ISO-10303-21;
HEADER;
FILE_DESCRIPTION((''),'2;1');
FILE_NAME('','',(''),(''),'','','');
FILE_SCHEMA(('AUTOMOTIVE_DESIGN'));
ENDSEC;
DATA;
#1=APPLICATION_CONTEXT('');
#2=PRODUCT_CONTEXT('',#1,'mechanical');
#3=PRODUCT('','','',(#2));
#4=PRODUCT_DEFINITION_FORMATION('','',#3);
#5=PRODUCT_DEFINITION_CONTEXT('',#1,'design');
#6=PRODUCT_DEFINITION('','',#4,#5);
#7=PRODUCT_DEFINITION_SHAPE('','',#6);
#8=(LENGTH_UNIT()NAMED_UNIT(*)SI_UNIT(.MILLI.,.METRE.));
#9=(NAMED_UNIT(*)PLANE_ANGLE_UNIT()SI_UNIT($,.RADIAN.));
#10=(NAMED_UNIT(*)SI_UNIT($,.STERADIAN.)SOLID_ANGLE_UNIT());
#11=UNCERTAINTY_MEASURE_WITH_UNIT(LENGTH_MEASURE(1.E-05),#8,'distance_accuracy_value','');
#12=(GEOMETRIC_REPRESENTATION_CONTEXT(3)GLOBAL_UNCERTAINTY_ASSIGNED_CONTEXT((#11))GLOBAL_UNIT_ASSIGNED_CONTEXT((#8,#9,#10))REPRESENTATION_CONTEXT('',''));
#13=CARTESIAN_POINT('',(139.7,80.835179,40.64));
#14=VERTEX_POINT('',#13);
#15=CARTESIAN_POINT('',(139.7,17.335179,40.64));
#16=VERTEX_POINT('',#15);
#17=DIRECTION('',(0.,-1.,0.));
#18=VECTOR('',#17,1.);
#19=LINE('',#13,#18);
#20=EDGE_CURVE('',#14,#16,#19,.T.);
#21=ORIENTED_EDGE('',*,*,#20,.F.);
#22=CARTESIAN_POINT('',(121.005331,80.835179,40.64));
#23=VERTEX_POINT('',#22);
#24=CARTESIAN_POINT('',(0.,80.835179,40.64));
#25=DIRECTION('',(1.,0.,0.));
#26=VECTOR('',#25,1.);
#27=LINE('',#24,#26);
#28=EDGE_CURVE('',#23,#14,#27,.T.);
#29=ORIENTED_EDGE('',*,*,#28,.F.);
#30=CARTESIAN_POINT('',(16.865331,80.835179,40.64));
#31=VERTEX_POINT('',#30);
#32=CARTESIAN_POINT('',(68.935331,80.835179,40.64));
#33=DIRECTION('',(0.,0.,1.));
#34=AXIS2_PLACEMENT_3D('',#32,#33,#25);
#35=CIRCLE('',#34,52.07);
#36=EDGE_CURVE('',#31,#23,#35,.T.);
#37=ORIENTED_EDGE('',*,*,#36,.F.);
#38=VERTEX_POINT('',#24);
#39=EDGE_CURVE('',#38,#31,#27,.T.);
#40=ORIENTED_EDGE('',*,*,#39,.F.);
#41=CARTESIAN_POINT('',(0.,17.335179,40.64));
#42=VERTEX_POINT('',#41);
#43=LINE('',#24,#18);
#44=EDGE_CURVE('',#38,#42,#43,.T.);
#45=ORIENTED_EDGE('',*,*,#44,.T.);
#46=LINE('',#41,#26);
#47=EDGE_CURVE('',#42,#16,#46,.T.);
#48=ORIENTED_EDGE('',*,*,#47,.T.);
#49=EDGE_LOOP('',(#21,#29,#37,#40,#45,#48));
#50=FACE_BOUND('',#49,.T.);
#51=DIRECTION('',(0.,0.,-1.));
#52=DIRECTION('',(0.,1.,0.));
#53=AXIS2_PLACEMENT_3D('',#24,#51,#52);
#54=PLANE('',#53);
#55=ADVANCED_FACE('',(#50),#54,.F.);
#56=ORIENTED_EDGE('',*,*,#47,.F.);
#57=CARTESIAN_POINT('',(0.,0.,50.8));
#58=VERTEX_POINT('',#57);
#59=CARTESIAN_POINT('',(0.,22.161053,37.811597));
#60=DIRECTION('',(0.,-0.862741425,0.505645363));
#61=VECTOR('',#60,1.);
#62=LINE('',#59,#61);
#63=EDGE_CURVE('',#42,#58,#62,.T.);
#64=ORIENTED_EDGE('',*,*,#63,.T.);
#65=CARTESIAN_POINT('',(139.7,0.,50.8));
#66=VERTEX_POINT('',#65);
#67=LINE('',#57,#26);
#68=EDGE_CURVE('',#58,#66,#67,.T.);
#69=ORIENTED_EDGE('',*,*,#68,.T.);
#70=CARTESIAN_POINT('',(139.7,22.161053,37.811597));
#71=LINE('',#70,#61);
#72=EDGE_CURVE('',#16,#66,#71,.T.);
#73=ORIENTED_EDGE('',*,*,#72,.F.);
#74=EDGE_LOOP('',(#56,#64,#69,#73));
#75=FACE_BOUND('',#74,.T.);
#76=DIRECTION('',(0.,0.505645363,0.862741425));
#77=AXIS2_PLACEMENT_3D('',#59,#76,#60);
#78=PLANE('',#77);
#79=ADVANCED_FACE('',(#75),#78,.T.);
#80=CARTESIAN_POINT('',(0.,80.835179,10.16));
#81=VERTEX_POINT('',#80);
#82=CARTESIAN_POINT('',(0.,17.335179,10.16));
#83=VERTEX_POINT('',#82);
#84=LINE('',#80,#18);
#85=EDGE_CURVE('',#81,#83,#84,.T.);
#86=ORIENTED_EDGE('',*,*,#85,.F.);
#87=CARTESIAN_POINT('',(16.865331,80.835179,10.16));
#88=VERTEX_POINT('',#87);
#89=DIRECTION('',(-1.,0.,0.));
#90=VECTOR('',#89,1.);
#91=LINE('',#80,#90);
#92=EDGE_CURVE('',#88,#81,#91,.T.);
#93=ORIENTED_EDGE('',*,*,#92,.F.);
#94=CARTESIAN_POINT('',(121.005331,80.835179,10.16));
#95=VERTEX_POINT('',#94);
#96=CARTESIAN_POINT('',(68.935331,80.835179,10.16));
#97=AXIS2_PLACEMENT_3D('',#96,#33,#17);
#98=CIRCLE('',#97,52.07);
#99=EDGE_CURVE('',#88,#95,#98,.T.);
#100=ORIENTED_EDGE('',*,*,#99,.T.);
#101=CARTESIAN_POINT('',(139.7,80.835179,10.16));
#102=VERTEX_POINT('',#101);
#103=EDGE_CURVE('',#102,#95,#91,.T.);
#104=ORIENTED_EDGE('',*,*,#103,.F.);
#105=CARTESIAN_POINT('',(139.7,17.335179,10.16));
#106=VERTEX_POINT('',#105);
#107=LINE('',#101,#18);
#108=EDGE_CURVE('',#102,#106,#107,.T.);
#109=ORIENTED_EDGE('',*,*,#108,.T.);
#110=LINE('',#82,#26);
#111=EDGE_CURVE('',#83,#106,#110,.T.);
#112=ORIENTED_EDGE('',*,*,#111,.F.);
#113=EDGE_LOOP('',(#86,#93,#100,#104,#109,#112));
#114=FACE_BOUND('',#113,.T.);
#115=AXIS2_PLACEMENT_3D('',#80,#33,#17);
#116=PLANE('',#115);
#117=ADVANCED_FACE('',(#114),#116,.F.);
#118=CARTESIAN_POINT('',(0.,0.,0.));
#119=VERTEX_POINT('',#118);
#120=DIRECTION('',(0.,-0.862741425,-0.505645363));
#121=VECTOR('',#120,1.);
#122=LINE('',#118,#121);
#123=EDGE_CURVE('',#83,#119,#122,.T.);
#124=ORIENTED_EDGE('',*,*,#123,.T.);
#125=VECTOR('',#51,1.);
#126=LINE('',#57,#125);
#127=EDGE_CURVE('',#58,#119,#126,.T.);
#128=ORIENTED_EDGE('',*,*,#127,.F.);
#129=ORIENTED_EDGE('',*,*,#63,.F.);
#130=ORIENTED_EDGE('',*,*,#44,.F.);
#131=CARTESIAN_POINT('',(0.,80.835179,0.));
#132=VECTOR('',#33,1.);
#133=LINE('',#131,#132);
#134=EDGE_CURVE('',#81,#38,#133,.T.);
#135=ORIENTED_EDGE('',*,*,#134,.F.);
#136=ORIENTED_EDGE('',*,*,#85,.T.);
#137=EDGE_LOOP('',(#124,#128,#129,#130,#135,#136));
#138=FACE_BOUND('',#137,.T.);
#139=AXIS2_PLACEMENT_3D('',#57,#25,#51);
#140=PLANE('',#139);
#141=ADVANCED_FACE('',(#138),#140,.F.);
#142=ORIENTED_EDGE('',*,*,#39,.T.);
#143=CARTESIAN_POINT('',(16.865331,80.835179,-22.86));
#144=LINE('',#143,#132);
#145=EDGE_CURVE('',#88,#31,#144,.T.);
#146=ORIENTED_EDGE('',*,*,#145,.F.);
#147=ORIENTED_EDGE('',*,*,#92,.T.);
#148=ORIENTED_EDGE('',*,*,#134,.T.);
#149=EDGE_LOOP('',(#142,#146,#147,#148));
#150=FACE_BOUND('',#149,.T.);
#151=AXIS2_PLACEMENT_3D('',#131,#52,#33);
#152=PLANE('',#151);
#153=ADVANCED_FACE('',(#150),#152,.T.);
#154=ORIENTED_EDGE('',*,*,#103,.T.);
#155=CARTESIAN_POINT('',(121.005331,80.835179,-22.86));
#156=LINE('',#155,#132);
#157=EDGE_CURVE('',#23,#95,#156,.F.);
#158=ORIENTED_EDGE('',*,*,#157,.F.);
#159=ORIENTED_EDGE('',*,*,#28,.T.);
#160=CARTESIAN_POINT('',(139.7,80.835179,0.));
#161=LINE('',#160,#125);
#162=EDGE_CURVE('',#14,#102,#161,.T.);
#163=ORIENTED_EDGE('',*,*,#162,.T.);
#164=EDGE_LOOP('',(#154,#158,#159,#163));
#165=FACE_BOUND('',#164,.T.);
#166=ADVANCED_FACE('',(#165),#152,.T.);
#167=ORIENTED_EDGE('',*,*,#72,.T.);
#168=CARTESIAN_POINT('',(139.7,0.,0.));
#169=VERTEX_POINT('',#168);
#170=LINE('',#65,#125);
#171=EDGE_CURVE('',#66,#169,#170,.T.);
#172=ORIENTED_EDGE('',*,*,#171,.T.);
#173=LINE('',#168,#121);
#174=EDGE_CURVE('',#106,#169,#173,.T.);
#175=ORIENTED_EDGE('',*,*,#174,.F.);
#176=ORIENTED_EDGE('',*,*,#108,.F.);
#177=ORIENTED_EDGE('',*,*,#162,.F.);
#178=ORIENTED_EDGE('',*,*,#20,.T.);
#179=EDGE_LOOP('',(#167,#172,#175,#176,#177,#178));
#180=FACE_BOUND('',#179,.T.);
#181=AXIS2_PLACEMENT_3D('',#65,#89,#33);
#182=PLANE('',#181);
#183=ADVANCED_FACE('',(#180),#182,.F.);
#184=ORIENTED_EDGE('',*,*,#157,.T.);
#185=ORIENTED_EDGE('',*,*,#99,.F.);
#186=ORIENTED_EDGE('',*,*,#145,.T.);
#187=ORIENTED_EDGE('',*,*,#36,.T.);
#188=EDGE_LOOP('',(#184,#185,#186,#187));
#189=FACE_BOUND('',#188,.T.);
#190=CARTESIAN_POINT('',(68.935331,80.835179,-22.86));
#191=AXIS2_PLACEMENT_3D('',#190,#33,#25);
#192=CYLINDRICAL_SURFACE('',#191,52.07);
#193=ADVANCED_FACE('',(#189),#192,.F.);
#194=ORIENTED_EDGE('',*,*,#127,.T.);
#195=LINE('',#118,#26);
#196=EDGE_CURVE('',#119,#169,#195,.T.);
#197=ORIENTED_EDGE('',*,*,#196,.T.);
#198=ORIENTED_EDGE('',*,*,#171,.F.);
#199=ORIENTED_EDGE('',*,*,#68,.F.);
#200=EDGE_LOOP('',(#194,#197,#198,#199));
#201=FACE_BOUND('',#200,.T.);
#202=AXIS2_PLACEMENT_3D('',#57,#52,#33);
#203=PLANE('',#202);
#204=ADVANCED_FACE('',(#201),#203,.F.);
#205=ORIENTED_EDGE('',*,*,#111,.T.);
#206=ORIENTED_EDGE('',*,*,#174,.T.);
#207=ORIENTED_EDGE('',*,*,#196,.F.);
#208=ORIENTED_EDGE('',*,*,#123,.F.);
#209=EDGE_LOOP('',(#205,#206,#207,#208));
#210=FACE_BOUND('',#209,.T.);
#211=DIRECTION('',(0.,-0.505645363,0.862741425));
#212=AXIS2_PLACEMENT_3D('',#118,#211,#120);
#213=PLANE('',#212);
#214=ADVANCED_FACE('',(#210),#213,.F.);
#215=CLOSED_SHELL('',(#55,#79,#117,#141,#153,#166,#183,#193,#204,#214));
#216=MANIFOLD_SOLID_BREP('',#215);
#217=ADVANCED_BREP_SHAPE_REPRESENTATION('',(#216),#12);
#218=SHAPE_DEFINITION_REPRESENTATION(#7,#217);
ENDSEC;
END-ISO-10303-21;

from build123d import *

# Parameters (mm, degrees)
SKETCH1_W           = 139.7
SKETCH1_H           = 76.2
BOSS_EXTRUDE1_DEPTH = 50.8
CUT_EXTRUDE1_DEPTH  = 140.7
SKETCH3_W           = 139.7
SKETCH3_H           = 15.24
BOSS_EXTRUDE2_DEPTH = 63.5
CUT_EXTRUDE4_DEPTH  = 63.5


with BuildPart() as part:
    # Sketch1 → Boss-Extrude1 (new body)
    with BuildSketch(Plane.XY):
        with Locations((69.85, 38.1)):
            Rectangle(SKETCH1_W, SKETCH1_H)
    extrude(amount=BOSS_EXTRUDE1_DEPTH)

    # Sketch2 → Cut-Extrude1 (cut, through all)
    with BuildSketch(Plane(origin=(139.7, 0, 0), x_dir=(0, 0, -1), z_dir=(1, 0, 0))):
        Polygon((-50.8, 76.2), (-50.8, 0), (-40.64, 17.335178993), (-25.4, 17.335178993), (-10.16, 17.335178993), (0, 0), (0, 76.2), align=None)
    extrude(amount=-CUT_EXTRUDE1_DEPTH, mode=Mode.SUBTRACT)

    # Sketch3 → Boss-Extrude2 (add)
    with BuildSketch(Plane(origin=(0, 17.335178993, 0), x_dir=(1, 0, 0), z_dir=(0, 1, 0))):
        with Locations((69.85, -33.02)):
            Rectangle(SKETCH3_W, SKETCH3_H)
        with Locations((69.85, -17.78)):
            Rectangle(SKETCH3_W, SKETCH3_H)
    extrude(amount=BOSS_EXTRUDE2_DEPTH)

    # Sketch7 → Cut-Extrude4 (cut)
    with BuildSketch(Plane.XY.offset(40.64)):
        with BuildLine():
            Line((16.865330571, 80.835178993), (121.005330571, 80.835178993))
            ThreePointArc((121.005330571, 80.835178993), (68.935330571, 28.765178993), (16.865330571, 80.835178993))
        make_face()
    extrude(amount=-CUT_EXTRUDE4_DEPTH, mode=Mode.SUBTRACT)


solid = part.part
